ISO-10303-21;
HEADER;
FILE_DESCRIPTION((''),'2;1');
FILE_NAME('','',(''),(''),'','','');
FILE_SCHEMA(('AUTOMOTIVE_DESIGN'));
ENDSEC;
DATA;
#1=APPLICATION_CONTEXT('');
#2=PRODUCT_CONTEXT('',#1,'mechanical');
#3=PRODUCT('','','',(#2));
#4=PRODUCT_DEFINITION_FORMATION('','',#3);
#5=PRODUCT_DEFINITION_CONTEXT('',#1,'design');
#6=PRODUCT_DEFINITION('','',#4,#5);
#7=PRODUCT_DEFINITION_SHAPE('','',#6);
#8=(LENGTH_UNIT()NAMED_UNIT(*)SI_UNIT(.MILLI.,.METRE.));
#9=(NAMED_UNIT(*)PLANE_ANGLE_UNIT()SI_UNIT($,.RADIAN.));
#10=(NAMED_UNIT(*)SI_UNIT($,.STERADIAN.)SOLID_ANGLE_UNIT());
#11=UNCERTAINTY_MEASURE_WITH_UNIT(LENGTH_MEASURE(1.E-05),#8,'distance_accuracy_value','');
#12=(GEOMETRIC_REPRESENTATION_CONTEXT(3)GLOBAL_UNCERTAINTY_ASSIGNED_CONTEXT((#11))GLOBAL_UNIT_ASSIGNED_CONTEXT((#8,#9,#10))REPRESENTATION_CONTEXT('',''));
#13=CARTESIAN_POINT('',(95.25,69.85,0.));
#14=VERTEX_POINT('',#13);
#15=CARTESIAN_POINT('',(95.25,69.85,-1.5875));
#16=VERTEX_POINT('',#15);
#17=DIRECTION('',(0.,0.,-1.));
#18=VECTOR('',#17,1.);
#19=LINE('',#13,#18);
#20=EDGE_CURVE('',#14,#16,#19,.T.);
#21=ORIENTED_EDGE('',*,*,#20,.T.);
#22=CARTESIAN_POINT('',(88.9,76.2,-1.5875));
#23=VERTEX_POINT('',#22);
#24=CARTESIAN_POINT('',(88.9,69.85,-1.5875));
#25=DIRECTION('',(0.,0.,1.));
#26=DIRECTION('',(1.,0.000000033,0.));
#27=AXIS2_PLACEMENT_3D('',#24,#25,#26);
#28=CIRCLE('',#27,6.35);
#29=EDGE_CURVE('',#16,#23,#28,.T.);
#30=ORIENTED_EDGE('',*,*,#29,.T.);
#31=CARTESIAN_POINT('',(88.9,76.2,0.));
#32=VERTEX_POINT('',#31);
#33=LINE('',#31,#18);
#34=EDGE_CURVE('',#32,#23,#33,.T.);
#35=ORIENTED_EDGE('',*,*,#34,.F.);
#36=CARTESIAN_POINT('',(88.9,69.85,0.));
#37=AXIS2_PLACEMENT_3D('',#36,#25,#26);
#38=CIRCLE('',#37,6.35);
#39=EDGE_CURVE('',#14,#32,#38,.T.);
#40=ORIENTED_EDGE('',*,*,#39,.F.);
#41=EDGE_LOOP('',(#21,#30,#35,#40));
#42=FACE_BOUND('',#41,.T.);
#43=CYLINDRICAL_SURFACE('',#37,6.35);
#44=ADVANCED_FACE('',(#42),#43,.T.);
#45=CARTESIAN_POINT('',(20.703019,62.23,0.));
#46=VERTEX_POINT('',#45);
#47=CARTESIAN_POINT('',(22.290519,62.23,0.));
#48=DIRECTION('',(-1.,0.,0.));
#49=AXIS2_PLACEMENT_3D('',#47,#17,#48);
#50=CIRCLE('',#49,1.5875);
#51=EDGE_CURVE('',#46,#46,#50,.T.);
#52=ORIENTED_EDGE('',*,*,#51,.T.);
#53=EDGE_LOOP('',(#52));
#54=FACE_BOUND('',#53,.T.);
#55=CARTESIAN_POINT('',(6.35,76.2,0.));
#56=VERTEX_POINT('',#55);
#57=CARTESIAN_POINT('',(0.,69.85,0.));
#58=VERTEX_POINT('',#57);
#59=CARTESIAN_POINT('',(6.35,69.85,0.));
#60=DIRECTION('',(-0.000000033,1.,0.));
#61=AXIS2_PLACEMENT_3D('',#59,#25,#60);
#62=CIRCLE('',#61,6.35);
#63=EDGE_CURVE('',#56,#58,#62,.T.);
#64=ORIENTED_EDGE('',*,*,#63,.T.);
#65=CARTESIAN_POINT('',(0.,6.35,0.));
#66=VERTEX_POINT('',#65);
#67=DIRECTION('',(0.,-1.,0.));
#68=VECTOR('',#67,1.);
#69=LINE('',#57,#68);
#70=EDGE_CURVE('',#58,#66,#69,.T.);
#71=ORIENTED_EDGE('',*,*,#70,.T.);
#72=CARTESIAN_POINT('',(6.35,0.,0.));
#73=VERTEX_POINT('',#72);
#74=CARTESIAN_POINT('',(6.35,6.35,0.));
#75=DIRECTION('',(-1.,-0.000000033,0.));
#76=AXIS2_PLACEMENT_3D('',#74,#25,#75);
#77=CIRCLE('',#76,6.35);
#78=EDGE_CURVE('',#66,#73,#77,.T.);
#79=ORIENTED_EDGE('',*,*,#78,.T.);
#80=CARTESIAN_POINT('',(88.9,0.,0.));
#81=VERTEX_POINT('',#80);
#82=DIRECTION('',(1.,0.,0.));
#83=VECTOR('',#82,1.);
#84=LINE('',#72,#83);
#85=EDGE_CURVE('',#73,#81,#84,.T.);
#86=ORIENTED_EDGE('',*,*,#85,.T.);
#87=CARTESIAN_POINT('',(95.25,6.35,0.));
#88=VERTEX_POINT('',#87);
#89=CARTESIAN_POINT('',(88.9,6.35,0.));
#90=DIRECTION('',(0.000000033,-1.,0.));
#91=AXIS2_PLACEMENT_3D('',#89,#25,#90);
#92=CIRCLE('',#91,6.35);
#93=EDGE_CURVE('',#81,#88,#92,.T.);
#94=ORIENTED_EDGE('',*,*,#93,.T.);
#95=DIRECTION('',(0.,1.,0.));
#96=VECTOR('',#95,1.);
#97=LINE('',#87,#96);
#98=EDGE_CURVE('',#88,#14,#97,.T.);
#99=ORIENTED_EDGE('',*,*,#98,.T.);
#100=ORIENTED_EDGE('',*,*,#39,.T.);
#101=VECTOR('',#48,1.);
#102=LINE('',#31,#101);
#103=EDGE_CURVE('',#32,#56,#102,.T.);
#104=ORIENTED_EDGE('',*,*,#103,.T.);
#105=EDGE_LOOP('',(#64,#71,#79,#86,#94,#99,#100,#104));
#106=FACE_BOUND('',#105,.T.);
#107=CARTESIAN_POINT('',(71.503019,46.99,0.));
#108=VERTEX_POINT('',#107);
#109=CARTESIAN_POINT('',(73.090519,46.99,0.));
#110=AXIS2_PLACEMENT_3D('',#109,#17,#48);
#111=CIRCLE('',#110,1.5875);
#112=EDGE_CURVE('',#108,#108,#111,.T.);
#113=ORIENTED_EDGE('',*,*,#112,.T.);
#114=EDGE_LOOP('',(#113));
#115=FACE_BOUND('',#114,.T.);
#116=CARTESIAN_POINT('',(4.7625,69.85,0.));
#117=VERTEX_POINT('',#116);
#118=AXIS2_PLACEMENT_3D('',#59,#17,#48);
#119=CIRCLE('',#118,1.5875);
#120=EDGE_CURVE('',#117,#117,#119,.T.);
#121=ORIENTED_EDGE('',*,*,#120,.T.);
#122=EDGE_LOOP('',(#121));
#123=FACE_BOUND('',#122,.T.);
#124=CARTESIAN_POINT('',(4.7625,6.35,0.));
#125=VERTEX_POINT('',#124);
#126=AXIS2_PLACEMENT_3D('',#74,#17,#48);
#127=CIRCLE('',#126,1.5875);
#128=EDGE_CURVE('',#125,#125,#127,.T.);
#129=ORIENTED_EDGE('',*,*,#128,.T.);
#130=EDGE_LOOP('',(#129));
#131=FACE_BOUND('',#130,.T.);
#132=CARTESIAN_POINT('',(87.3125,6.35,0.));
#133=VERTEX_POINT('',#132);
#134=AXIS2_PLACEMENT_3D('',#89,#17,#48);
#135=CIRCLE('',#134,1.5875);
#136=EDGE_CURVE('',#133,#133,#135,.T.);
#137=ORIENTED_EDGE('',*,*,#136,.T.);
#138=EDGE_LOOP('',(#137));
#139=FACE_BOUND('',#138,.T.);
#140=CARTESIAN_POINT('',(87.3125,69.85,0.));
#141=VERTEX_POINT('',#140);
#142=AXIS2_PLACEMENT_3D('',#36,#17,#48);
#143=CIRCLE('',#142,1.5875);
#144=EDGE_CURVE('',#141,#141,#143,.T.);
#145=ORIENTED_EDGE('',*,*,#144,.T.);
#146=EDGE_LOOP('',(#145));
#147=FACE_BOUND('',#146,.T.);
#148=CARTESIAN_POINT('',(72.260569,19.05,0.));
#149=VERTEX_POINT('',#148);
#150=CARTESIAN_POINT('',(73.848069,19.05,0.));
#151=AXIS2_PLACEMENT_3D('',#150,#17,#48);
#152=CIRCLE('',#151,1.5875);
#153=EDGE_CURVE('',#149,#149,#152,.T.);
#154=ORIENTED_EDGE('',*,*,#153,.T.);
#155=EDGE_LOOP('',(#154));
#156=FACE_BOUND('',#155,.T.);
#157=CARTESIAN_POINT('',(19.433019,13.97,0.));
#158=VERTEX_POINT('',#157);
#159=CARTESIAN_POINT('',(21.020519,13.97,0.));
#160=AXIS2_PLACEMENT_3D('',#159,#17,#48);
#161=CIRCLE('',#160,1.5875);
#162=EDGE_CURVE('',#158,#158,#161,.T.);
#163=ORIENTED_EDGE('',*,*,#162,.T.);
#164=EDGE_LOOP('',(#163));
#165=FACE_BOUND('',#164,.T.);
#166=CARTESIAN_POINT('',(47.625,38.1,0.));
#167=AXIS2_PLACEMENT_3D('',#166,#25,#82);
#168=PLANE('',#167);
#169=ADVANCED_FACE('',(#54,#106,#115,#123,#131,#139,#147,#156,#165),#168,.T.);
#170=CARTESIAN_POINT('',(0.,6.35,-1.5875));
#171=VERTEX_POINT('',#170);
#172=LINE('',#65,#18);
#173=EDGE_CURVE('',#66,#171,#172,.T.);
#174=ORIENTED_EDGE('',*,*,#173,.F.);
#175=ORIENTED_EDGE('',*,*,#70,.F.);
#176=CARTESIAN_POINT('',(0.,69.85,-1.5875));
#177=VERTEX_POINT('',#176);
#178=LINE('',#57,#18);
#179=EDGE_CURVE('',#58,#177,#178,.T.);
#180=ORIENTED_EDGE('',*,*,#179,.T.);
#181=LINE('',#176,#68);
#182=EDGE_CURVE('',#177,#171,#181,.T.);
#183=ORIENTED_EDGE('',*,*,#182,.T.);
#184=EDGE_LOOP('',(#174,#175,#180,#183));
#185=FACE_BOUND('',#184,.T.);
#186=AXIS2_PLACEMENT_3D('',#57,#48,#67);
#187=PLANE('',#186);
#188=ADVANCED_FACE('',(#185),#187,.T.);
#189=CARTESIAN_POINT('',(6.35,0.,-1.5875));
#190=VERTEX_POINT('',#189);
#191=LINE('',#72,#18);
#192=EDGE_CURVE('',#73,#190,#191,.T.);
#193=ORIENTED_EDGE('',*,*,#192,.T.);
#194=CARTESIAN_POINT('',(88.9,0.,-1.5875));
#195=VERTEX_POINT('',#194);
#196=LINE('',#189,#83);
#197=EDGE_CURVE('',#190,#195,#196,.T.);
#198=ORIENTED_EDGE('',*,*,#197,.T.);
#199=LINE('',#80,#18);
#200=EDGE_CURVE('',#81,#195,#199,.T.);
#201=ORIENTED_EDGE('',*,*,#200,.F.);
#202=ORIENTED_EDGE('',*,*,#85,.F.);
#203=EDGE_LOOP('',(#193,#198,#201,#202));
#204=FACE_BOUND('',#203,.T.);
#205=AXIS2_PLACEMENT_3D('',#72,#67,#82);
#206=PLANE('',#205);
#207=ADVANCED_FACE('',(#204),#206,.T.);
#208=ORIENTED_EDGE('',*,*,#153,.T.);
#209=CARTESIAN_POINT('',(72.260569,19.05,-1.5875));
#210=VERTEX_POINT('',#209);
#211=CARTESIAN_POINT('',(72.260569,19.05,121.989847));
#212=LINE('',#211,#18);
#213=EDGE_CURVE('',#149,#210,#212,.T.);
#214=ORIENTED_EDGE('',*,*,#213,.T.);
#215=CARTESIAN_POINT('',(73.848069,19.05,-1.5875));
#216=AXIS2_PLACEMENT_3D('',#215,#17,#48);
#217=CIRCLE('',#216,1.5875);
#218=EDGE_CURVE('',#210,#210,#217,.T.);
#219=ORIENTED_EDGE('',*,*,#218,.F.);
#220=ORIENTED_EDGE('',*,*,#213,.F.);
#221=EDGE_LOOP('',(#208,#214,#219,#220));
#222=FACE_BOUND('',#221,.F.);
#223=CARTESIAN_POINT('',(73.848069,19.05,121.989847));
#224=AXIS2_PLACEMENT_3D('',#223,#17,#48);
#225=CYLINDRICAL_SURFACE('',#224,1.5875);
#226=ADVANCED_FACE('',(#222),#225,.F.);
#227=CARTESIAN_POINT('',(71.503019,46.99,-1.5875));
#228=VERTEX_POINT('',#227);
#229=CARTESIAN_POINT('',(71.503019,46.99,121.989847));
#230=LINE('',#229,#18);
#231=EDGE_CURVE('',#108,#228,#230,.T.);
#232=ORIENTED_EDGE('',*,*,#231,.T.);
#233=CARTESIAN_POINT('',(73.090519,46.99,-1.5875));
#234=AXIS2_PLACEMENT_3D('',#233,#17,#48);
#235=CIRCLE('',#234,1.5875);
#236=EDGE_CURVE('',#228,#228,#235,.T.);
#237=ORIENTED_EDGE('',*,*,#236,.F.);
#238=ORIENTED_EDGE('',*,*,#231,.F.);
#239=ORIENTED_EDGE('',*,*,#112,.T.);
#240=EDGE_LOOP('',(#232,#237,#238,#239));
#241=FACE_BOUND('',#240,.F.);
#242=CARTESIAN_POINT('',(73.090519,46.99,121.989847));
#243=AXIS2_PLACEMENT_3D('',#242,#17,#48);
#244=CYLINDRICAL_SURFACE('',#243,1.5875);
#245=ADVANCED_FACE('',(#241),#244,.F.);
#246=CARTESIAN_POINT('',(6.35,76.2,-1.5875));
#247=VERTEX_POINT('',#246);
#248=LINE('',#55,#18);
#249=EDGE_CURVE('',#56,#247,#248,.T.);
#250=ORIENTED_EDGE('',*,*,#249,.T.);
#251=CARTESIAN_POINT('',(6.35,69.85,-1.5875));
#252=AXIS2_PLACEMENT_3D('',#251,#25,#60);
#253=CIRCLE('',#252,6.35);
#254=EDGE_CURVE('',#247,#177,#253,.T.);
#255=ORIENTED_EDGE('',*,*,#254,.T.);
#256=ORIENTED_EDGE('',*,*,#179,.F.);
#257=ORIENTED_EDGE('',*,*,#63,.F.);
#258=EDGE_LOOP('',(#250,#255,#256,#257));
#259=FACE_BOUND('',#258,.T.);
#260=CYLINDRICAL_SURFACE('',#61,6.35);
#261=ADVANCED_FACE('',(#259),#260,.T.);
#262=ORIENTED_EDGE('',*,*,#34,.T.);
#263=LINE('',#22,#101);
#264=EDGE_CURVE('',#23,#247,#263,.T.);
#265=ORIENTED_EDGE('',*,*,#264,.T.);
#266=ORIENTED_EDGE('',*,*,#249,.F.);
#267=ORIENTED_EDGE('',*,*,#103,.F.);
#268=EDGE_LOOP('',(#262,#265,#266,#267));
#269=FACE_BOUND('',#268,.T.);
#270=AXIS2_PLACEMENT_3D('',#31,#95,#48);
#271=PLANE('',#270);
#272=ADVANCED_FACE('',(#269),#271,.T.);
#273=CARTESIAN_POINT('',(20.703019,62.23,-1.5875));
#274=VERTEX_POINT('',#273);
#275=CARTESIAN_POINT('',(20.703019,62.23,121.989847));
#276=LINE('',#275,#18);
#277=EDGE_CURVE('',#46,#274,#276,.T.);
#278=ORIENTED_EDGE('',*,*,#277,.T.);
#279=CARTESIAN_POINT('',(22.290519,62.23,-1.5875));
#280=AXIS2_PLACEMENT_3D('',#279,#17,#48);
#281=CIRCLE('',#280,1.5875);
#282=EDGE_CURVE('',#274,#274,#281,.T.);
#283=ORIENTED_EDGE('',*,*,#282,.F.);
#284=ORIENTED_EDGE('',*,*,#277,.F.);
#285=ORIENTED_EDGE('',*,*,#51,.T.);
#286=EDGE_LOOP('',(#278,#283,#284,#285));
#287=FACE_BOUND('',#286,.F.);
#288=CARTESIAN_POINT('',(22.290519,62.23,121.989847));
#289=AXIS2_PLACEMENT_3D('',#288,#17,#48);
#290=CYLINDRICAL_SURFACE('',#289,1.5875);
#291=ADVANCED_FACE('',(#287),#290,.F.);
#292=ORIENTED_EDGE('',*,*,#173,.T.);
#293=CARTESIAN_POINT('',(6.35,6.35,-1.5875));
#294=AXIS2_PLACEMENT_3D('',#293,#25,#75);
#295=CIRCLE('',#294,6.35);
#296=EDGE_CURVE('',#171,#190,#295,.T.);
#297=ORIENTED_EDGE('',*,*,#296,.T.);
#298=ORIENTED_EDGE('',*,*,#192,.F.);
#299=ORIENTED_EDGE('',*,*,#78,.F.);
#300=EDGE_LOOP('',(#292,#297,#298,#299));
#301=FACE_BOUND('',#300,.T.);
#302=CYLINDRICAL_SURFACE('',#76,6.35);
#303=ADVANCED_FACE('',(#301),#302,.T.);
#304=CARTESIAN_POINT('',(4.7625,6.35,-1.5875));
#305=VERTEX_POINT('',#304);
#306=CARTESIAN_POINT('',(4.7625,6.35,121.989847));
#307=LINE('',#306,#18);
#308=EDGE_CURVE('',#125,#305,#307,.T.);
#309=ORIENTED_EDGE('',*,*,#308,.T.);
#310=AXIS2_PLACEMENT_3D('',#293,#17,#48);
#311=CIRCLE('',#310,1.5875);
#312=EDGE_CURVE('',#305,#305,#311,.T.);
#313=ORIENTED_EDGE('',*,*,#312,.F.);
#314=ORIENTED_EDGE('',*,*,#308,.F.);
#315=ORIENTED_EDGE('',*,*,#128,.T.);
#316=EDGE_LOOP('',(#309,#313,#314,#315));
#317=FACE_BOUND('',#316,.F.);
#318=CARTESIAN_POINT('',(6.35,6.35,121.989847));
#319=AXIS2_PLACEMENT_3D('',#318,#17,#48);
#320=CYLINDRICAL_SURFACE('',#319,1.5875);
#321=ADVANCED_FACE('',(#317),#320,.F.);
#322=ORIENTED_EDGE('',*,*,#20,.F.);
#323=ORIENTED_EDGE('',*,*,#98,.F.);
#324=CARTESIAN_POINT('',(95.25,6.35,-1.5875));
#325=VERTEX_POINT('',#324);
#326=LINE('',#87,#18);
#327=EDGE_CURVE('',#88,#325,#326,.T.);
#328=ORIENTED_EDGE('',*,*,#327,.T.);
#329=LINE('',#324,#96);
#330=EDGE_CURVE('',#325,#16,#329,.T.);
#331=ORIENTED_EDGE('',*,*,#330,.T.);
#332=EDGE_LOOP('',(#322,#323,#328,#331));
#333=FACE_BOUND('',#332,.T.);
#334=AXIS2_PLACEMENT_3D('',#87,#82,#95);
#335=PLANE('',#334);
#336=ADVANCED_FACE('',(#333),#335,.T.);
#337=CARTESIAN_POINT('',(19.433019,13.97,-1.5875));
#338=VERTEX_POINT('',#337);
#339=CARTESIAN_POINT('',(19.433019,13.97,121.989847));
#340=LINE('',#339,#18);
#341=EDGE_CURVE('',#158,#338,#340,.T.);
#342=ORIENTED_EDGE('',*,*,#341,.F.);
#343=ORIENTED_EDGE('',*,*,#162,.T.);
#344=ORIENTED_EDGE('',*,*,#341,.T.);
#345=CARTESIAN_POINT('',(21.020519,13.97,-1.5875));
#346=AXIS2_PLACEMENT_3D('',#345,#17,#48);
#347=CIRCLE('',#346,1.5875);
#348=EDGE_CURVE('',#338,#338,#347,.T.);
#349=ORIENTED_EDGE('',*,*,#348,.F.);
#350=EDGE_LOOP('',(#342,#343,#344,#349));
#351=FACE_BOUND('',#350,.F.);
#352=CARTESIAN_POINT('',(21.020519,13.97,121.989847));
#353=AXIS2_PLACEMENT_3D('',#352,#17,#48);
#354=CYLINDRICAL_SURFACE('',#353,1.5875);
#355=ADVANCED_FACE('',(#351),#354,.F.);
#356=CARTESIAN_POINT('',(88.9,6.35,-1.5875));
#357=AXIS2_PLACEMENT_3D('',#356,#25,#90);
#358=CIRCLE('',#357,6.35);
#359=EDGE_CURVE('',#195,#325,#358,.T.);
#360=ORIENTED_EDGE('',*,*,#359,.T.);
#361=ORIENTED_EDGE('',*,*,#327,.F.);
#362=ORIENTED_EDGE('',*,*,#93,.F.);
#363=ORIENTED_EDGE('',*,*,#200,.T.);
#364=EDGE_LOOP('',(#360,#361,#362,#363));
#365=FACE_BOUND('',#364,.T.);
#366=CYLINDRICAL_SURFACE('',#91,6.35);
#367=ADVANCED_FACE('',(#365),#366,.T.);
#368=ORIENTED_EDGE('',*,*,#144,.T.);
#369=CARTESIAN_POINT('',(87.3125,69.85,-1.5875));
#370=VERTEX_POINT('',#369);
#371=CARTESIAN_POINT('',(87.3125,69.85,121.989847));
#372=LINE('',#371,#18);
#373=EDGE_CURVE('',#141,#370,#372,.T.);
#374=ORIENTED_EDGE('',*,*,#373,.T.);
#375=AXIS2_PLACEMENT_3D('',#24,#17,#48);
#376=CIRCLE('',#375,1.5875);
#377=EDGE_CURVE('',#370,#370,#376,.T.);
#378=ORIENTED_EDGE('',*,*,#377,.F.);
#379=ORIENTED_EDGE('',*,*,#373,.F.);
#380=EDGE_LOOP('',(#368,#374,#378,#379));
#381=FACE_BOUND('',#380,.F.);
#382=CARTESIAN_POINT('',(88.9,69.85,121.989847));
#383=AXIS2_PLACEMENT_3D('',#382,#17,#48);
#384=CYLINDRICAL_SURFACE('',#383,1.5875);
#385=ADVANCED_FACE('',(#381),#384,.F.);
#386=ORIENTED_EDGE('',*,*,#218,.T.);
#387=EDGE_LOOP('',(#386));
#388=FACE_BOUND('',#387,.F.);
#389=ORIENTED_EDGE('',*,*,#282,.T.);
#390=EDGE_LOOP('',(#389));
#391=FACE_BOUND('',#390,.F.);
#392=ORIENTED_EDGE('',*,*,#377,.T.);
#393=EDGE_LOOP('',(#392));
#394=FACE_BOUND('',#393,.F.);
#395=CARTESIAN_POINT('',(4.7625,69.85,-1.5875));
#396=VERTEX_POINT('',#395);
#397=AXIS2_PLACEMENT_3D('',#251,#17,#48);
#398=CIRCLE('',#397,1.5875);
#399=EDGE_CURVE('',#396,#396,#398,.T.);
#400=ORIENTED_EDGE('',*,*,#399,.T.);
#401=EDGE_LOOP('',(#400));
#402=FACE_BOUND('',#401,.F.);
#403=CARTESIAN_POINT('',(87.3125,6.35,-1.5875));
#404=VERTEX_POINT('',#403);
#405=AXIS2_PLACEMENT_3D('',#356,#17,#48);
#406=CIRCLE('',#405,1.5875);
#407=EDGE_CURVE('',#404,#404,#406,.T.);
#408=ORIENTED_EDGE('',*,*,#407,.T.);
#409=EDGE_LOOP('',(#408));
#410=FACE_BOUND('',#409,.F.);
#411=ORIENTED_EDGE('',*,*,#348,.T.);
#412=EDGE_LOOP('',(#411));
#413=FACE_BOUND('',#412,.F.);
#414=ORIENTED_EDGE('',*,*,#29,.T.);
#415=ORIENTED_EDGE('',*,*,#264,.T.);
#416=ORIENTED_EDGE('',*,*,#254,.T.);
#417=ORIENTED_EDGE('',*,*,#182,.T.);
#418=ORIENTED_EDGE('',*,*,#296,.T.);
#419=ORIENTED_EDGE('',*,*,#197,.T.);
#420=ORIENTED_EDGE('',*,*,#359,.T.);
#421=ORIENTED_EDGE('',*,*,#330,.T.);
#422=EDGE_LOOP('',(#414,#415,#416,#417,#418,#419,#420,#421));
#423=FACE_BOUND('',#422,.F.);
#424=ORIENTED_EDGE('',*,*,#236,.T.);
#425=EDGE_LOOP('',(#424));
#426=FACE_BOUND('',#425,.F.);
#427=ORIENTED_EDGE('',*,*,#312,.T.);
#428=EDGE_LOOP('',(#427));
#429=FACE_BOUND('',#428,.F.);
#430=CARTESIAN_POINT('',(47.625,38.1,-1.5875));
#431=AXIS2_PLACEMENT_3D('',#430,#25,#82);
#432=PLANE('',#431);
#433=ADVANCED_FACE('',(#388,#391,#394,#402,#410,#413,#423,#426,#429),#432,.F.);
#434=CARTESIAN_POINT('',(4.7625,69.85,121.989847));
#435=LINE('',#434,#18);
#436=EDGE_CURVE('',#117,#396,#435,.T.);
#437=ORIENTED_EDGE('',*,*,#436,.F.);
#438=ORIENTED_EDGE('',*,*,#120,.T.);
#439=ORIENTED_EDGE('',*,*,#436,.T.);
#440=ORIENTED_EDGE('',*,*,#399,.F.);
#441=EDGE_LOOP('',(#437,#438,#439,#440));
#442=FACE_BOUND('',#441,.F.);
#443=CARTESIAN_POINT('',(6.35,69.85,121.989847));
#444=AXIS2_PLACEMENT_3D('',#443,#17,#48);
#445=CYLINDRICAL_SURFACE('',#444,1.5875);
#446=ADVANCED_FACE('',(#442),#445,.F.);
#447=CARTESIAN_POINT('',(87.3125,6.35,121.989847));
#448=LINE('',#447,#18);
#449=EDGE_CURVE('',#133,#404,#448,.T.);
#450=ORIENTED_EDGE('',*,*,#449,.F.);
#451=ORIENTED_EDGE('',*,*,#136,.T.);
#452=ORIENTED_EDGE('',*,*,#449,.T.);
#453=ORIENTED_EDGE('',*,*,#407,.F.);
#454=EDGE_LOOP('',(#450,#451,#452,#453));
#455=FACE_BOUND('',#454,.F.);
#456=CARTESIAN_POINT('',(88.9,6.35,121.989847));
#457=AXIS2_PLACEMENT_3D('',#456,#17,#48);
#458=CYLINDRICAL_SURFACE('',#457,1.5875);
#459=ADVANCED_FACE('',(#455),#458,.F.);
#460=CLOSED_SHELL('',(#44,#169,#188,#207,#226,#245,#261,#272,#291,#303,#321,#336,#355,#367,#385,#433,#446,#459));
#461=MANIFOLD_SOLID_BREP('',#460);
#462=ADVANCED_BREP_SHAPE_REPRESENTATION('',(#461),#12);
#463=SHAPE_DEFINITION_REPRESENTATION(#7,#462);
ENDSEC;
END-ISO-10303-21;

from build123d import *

# Parameters (mm, degrees)
F1_DEPTH = 1.5875
F2_D     = 3.175


with BuildPart() as f1:
    # F0 (on Top) → F1 (new body)
    with BuildSketch(Plane.XY):
        with BuildLine():
            ThreePointArc((0, 6.35), (1.859872, 1.859872), (6.35, 0))
            Line((6.35, 0), (88.9, 0))
            ThreePointArc((88.9, 0), (93.390128, 1.859872), (95.25, 6.35))
            Line((95.25, 6.35), (95.25, 69.85))
            ThreePointArc((95.25, 69.85), (93.390128, 74.340128), (88.9, 76.2))
            Line((88.9, 76.2), (6.35, 76.2))
            ThreePointArc((6.35, 76.2), (1.859872, 74.340128), (0, 69.85))
            Line((0, 69.85), (0, 6.35))
        make_face()
    extrude(amount=-F1_DEPTH)

    # F2 (through all)
    with Locations(Plane.XY):
        with Locations((6.35, 69.85), (22.290519, 62.23), (73.090519, 46.99), (88.9, 69.85), (88.9, 6.35), (73.848069, 19.05), (21.020519, 13.97), (6.35, 6.35)):
            Hole(F2_D / 2)


solid = f1.part
